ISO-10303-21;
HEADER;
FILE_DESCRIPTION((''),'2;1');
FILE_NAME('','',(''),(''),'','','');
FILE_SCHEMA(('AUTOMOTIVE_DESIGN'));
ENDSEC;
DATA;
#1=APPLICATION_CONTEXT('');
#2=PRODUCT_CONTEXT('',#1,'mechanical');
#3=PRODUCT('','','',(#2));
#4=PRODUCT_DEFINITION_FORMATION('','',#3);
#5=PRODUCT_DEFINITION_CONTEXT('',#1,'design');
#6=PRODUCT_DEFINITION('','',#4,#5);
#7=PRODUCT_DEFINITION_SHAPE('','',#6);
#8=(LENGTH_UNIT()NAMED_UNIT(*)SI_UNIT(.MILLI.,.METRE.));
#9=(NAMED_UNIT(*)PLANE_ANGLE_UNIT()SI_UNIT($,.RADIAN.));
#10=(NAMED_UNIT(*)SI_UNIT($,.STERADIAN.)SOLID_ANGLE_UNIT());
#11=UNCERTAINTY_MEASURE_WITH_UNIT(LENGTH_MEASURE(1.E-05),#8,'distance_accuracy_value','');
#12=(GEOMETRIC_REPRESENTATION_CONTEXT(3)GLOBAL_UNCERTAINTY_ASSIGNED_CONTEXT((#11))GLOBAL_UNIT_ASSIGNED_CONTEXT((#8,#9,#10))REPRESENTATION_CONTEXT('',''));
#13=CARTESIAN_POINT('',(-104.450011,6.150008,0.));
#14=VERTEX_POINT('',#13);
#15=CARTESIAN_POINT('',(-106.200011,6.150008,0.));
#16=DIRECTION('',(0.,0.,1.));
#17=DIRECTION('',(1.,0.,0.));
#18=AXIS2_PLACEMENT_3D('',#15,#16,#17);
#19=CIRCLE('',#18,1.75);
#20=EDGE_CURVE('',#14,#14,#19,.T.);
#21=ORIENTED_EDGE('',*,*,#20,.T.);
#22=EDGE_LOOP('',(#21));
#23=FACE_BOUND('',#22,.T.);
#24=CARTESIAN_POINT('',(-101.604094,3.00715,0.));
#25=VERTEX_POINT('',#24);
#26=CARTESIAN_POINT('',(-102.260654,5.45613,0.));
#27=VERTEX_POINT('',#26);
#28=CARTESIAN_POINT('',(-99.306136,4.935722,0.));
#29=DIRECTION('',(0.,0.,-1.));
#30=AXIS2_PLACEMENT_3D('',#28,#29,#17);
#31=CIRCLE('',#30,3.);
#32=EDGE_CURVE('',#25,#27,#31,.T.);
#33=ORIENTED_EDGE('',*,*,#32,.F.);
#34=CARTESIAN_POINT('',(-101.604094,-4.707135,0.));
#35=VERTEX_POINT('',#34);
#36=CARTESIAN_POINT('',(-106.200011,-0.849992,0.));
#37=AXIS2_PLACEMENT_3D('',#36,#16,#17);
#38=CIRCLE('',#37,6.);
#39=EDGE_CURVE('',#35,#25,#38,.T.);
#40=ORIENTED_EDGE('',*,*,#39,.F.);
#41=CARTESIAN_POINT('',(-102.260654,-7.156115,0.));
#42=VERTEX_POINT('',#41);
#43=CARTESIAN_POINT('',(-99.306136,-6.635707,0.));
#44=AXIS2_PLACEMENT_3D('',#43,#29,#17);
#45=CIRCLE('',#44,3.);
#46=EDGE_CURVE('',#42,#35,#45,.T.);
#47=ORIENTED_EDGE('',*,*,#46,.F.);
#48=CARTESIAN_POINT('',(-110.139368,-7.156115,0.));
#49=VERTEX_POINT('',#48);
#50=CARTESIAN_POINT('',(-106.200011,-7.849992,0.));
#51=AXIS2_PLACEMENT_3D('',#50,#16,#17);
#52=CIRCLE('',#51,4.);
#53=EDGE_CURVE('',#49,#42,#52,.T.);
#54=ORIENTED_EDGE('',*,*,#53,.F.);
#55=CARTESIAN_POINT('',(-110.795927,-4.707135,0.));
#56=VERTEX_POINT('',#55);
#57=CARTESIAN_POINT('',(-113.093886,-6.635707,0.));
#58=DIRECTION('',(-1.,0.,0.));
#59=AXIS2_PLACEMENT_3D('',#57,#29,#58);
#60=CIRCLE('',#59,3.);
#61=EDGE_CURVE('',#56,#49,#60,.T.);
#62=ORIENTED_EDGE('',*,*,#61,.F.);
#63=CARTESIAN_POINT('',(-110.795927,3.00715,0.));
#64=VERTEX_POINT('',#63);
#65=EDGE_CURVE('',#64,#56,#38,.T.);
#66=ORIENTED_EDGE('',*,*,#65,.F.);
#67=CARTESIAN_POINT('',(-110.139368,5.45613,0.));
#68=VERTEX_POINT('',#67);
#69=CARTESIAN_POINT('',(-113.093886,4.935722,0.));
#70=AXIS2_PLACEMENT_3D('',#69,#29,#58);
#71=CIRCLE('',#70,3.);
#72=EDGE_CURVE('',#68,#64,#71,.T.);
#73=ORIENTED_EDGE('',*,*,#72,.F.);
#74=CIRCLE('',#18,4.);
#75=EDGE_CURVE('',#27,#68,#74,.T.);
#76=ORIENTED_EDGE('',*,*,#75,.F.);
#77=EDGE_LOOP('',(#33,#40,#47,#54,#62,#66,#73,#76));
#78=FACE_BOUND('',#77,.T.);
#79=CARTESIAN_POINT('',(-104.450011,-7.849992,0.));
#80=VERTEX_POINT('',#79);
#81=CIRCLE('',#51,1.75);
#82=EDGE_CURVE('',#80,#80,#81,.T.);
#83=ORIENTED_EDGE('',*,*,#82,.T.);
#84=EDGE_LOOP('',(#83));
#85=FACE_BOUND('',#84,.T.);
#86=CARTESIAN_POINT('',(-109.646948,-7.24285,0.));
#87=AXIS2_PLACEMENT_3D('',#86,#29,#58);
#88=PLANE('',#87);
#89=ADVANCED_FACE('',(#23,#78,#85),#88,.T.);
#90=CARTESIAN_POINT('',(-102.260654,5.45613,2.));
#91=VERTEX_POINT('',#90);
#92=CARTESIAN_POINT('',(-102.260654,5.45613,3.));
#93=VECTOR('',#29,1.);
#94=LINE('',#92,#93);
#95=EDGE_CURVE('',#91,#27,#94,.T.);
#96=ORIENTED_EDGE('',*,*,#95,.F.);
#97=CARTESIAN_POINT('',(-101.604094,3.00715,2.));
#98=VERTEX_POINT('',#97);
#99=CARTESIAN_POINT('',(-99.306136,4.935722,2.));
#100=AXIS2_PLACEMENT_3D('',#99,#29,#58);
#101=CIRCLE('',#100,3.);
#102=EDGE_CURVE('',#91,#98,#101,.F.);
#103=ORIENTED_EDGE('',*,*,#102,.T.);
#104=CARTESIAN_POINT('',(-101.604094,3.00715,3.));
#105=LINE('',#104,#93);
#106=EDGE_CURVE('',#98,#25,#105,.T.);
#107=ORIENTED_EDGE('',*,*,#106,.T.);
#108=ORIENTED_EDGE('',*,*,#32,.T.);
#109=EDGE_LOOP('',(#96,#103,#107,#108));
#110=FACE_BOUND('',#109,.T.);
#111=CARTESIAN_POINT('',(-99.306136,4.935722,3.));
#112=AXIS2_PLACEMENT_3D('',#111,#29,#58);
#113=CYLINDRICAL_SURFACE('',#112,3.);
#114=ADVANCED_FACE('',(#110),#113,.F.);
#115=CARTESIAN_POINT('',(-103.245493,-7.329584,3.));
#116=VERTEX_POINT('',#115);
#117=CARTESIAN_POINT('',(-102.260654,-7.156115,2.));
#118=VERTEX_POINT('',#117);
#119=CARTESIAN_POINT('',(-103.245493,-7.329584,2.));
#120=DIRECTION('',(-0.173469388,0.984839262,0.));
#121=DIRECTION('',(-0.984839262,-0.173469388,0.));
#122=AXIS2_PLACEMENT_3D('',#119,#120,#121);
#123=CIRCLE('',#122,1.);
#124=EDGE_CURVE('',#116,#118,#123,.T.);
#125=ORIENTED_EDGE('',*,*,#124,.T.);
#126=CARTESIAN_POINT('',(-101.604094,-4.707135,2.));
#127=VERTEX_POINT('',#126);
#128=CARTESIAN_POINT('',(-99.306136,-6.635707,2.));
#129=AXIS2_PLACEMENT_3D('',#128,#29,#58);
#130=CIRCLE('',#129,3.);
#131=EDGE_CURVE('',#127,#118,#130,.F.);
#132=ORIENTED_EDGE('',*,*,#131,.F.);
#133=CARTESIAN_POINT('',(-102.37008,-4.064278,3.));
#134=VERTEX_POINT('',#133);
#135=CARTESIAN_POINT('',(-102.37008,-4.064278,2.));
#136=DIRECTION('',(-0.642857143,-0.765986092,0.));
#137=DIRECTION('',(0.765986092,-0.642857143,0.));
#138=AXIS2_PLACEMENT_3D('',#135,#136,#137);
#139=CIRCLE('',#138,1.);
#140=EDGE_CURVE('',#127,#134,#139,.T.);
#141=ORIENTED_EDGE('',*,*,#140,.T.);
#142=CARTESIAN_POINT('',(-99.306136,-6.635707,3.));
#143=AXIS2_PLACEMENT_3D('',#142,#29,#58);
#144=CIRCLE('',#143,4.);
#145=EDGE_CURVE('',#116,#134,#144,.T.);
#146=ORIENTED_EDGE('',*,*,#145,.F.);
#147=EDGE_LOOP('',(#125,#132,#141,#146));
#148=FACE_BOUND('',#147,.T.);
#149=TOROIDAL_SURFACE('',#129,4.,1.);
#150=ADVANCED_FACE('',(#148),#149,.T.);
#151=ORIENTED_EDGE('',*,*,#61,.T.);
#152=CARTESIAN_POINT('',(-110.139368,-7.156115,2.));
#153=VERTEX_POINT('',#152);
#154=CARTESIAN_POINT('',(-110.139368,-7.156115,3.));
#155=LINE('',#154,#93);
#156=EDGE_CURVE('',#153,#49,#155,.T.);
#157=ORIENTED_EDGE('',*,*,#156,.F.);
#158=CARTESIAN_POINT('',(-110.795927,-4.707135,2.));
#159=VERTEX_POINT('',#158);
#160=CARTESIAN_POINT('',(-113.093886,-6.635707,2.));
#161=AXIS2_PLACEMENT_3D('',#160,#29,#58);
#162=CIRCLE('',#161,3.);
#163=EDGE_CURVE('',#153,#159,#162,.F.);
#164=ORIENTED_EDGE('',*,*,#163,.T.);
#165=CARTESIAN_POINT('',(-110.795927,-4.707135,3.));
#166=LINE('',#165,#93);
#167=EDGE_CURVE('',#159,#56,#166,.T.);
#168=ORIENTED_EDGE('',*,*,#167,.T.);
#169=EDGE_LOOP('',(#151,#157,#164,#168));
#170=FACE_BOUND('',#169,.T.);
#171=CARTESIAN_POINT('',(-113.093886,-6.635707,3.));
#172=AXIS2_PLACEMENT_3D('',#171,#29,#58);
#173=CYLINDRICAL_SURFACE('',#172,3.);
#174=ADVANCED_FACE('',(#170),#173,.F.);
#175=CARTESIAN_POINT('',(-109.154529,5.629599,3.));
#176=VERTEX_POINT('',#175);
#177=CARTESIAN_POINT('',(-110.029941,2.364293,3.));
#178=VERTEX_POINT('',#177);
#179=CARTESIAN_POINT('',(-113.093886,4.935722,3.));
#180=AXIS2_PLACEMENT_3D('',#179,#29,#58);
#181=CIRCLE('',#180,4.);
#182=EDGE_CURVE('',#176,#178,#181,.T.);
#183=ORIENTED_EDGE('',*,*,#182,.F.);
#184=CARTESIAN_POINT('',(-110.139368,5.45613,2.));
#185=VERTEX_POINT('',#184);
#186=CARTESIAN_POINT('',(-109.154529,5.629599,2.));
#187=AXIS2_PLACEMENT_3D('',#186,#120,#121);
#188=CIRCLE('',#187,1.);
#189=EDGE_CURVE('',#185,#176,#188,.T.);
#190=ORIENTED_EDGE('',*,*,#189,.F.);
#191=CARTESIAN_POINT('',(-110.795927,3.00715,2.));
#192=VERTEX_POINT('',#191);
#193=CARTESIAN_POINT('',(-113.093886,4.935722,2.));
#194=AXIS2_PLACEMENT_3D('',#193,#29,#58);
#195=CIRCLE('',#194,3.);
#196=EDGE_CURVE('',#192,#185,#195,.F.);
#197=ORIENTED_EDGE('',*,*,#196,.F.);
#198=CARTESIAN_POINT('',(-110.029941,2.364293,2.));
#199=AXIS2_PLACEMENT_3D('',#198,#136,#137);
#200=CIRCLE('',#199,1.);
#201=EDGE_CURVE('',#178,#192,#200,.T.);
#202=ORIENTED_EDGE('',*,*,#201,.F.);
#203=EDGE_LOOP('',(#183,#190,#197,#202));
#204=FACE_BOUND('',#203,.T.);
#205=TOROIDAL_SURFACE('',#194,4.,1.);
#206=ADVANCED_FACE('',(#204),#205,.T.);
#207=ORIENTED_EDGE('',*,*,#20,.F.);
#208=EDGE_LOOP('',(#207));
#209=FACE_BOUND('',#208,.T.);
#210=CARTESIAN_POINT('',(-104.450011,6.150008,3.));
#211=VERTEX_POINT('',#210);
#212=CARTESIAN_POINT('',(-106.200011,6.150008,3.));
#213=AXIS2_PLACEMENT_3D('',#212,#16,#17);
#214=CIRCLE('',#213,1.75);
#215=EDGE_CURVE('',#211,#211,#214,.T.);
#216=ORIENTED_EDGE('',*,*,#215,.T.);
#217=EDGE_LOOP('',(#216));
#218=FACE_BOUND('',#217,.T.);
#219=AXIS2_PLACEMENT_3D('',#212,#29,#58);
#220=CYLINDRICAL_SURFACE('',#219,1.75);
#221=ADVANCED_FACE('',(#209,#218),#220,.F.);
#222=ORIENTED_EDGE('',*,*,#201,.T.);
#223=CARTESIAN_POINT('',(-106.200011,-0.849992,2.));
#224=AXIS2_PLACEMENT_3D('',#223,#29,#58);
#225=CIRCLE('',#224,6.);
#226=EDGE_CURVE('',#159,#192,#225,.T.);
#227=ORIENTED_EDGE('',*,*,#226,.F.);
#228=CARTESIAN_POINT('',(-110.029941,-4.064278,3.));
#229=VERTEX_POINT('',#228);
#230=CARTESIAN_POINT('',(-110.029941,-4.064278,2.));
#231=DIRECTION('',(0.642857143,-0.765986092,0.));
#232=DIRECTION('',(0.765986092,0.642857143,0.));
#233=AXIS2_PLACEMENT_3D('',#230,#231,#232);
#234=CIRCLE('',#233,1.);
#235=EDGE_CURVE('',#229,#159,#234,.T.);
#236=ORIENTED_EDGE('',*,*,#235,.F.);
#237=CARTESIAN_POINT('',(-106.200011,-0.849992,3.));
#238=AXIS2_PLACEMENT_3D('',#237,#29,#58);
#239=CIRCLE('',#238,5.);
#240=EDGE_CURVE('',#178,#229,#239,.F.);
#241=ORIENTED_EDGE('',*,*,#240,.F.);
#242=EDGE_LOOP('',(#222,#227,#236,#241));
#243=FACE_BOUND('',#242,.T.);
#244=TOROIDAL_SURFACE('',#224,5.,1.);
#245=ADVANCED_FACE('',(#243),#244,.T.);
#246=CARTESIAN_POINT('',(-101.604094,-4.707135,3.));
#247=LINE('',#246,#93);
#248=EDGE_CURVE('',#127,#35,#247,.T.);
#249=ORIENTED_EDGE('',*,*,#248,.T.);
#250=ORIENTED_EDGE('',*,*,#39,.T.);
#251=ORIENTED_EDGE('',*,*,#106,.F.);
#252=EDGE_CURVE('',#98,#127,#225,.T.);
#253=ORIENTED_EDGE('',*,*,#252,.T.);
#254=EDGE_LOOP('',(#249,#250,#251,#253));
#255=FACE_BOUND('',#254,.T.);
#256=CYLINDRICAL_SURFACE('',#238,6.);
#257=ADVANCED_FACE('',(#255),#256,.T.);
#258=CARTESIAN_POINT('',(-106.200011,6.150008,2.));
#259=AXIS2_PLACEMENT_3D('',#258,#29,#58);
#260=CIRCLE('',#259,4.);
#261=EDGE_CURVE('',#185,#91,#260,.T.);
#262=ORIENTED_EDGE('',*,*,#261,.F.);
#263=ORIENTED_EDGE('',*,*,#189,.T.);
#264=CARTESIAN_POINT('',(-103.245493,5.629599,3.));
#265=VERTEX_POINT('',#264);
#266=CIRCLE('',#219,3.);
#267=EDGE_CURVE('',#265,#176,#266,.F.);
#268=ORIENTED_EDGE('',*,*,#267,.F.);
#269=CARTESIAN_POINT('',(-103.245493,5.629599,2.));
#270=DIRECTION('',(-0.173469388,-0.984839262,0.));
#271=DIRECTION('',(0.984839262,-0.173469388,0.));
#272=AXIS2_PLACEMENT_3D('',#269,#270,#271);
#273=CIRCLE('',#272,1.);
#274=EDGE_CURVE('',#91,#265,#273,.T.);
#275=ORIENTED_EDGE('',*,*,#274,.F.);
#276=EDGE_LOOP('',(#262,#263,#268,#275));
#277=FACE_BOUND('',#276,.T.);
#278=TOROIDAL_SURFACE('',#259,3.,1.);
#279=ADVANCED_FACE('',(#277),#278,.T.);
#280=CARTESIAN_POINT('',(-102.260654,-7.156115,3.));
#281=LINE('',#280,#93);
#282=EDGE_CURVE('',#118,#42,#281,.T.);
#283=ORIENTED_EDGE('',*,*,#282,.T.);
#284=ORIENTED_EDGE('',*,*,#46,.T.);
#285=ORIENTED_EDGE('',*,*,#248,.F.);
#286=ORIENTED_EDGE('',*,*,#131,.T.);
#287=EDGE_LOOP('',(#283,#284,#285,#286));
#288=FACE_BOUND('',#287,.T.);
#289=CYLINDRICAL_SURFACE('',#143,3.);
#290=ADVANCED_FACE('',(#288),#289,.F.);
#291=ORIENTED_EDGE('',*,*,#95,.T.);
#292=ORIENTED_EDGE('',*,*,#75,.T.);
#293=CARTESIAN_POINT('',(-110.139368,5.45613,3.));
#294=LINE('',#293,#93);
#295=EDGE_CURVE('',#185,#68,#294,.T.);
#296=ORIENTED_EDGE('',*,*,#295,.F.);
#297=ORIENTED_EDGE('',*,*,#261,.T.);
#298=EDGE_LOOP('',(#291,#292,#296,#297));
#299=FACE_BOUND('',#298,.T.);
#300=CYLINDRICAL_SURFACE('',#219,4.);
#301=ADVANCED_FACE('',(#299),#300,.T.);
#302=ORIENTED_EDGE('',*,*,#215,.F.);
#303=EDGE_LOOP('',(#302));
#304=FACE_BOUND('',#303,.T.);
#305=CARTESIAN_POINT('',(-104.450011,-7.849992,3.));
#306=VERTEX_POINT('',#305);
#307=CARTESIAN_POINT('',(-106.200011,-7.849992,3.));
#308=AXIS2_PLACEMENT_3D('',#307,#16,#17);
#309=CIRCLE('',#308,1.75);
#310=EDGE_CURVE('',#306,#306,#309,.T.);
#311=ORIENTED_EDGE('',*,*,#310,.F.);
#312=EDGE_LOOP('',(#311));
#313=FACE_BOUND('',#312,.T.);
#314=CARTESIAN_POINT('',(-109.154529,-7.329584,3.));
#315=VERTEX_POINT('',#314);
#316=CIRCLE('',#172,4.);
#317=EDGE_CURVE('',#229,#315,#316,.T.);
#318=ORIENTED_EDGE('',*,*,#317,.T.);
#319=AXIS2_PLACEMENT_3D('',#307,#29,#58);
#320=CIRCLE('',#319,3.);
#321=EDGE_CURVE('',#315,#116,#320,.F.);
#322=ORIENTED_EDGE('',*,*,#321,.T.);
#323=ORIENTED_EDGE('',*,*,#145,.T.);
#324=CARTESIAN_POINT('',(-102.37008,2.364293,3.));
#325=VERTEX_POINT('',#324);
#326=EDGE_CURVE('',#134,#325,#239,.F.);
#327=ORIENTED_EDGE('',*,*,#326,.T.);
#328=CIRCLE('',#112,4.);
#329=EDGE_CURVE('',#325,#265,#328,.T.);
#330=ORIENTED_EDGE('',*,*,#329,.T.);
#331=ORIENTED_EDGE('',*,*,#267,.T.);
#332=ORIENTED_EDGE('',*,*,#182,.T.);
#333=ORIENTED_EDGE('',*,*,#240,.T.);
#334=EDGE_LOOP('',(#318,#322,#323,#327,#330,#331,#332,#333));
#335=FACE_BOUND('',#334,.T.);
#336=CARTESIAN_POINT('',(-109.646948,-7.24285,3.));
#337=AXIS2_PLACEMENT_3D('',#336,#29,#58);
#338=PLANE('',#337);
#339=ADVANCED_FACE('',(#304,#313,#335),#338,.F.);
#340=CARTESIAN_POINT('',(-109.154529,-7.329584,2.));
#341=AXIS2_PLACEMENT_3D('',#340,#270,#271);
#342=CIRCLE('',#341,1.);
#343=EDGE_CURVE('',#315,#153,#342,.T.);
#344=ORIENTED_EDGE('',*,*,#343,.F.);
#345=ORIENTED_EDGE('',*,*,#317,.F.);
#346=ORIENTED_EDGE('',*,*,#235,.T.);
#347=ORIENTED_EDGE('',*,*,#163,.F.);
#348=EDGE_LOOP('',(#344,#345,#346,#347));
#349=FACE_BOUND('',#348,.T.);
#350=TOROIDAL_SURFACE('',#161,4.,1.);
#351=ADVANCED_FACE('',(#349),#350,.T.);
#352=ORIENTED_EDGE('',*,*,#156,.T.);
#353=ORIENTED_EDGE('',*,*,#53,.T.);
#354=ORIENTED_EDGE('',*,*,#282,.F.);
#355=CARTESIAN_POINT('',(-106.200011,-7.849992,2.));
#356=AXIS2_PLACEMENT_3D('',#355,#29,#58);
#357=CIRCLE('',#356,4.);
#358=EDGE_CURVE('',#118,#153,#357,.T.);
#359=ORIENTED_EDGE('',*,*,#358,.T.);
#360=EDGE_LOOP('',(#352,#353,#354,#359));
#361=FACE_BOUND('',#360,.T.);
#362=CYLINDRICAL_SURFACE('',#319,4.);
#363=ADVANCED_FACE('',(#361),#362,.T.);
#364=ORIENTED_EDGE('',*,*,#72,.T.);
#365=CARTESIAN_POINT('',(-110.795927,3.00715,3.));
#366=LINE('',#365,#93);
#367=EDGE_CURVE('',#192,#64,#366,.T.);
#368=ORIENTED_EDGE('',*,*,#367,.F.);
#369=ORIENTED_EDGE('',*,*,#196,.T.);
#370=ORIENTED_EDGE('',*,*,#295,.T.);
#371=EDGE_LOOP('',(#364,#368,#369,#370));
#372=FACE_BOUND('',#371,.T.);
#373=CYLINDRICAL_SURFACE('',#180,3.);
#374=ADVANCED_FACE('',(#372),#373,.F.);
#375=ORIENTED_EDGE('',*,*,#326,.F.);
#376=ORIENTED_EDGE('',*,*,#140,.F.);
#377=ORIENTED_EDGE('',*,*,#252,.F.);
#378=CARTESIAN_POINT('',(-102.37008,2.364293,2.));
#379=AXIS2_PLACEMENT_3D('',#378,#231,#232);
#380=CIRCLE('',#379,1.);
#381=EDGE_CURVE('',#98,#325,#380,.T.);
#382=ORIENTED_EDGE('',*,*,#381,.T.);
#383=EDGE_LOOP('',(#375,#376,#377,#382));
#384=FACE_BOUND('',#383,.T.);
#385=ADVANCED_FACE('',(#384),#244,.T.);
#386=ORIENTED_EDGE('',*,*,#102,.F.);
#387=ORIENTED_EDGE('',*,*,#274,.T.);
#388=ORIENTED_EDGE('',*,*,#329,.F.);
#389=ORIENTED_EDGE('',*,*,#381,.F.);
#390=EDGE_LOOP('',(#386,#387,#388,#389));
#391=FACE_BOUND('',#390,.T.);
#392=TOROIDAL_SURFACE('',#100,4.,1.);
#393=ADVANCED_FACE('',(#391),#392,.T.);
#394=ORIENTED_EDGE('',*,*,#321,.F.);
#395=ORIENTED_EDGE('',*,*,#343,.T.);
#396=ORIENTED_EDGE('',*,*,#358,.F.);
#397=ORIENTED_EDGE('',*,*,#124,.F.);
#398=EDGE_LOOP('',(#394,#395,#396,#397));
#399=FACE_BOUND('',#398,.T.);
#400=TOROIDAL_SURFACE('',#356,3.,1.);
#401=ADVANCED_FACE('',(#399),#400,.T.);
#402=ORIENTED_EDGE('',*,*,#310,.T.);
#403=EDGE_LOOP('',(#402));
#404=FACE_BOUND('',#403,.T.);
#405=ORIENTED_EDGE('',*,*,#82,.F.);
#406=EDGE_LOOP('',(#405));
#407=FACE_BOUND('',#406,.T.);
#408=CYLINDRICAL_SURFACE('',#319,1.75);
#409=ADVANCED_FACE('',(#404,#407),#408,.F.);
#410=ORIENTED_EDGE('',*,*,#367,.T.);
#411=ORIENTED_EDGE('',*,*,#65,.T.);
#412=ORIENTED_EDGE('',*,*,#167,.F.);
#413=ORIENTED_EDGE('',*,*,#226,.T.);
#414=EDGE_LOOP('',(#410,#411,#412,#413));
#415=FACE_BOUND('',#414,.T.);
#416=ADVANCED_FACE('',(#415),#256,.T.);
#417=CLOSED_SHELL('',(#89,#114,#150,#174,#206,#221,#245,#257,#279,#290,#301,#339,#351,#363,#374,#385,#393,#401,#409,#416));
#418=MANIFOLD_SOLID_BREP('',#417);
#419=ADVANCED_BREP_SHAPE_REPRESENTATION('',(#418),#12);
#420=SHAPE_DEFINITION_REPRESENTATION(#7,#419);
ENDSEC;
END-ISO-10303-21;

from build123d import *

# Parameters (mm, degrees)
SKETCH1_R           = 1.75
BOSS_EXTRUDE1_DEPTH = 3
FILLET1_R           = 1


with BuildPart() as part:
    # Sketch1 → Boss-Extrude1 (new body)
    with BuildSketch(Plane.XY):
        with BuildLine():
            ThreePointArc((-110.795927452, 3.007150415), (-112.200010897, -0.849992442), (-110.795927452, -4.707135299))
            ThreePointArc((-110.795927452, -4.707135299), (-110.196213999, -5.858855042), (-110.139367944, -7.156114891))
            ThreePointArc((-110.139367944, -7.156114891), (-106.200010897, -11.849992442), (-102.26065385, -7.156114891))
            ThreePointArc((-102.26065385, -7.156114891), (-102.203807795, -5.858855042), (-101.604094342, -4.707135299))
            ThreePointArc((-101.604094342, -4.707135299), (-100.200010897, -0.849992442), (-101.604094342, 3.007150415))
            ThreePointArc((-101.604094342, 3.007150415), (-102.203807795, 4.158870157), (-102.26065385, 5.456130007))
            ThreePointArc((-102.26065385, 5.456130007), (-106.200010897, 10.150007558), (-110.139367944, 5.456130007))
            ThreePointArc((-110.139367944, 5.456130007), (-110.196213999, 4.158870157), (-110.795927452, 3.007150415))
        make_face()
        with Locations((-106.200010897, 6.150007558)):
            Circle(SKETCH1_R, mode=Mode.SUBTRACT)
        with Locations((-106.200010897, -7.849992442)):
            Circle(SKETCH1_R, mode=Mode.SUBTRACT)
    extrude(amount=BOSS_EXTRUDE1_DEPTH)

    # Fillet1
    fillet1_edges = [part.edges().sort_by_distance(p)[0] for p in [
        (-102.203807795, -5.858855042, 3),
        (-100.200010897, -0.849992442, 3),
        (-102.203807795, 4.158870157, 3),
        (-106.200010897, 10.150007558, 3),
        (-110.196213999, 4.158870157, 3),
        (-112.200010897, -0.849992442, 3),
        (-110.196213999, -5.858855042, 3),
        (-106.200010897, -11.849992442, 3),
    ]]
    fillet(fillet1_edges, radius=FILLET1_R)


solid = part.part
